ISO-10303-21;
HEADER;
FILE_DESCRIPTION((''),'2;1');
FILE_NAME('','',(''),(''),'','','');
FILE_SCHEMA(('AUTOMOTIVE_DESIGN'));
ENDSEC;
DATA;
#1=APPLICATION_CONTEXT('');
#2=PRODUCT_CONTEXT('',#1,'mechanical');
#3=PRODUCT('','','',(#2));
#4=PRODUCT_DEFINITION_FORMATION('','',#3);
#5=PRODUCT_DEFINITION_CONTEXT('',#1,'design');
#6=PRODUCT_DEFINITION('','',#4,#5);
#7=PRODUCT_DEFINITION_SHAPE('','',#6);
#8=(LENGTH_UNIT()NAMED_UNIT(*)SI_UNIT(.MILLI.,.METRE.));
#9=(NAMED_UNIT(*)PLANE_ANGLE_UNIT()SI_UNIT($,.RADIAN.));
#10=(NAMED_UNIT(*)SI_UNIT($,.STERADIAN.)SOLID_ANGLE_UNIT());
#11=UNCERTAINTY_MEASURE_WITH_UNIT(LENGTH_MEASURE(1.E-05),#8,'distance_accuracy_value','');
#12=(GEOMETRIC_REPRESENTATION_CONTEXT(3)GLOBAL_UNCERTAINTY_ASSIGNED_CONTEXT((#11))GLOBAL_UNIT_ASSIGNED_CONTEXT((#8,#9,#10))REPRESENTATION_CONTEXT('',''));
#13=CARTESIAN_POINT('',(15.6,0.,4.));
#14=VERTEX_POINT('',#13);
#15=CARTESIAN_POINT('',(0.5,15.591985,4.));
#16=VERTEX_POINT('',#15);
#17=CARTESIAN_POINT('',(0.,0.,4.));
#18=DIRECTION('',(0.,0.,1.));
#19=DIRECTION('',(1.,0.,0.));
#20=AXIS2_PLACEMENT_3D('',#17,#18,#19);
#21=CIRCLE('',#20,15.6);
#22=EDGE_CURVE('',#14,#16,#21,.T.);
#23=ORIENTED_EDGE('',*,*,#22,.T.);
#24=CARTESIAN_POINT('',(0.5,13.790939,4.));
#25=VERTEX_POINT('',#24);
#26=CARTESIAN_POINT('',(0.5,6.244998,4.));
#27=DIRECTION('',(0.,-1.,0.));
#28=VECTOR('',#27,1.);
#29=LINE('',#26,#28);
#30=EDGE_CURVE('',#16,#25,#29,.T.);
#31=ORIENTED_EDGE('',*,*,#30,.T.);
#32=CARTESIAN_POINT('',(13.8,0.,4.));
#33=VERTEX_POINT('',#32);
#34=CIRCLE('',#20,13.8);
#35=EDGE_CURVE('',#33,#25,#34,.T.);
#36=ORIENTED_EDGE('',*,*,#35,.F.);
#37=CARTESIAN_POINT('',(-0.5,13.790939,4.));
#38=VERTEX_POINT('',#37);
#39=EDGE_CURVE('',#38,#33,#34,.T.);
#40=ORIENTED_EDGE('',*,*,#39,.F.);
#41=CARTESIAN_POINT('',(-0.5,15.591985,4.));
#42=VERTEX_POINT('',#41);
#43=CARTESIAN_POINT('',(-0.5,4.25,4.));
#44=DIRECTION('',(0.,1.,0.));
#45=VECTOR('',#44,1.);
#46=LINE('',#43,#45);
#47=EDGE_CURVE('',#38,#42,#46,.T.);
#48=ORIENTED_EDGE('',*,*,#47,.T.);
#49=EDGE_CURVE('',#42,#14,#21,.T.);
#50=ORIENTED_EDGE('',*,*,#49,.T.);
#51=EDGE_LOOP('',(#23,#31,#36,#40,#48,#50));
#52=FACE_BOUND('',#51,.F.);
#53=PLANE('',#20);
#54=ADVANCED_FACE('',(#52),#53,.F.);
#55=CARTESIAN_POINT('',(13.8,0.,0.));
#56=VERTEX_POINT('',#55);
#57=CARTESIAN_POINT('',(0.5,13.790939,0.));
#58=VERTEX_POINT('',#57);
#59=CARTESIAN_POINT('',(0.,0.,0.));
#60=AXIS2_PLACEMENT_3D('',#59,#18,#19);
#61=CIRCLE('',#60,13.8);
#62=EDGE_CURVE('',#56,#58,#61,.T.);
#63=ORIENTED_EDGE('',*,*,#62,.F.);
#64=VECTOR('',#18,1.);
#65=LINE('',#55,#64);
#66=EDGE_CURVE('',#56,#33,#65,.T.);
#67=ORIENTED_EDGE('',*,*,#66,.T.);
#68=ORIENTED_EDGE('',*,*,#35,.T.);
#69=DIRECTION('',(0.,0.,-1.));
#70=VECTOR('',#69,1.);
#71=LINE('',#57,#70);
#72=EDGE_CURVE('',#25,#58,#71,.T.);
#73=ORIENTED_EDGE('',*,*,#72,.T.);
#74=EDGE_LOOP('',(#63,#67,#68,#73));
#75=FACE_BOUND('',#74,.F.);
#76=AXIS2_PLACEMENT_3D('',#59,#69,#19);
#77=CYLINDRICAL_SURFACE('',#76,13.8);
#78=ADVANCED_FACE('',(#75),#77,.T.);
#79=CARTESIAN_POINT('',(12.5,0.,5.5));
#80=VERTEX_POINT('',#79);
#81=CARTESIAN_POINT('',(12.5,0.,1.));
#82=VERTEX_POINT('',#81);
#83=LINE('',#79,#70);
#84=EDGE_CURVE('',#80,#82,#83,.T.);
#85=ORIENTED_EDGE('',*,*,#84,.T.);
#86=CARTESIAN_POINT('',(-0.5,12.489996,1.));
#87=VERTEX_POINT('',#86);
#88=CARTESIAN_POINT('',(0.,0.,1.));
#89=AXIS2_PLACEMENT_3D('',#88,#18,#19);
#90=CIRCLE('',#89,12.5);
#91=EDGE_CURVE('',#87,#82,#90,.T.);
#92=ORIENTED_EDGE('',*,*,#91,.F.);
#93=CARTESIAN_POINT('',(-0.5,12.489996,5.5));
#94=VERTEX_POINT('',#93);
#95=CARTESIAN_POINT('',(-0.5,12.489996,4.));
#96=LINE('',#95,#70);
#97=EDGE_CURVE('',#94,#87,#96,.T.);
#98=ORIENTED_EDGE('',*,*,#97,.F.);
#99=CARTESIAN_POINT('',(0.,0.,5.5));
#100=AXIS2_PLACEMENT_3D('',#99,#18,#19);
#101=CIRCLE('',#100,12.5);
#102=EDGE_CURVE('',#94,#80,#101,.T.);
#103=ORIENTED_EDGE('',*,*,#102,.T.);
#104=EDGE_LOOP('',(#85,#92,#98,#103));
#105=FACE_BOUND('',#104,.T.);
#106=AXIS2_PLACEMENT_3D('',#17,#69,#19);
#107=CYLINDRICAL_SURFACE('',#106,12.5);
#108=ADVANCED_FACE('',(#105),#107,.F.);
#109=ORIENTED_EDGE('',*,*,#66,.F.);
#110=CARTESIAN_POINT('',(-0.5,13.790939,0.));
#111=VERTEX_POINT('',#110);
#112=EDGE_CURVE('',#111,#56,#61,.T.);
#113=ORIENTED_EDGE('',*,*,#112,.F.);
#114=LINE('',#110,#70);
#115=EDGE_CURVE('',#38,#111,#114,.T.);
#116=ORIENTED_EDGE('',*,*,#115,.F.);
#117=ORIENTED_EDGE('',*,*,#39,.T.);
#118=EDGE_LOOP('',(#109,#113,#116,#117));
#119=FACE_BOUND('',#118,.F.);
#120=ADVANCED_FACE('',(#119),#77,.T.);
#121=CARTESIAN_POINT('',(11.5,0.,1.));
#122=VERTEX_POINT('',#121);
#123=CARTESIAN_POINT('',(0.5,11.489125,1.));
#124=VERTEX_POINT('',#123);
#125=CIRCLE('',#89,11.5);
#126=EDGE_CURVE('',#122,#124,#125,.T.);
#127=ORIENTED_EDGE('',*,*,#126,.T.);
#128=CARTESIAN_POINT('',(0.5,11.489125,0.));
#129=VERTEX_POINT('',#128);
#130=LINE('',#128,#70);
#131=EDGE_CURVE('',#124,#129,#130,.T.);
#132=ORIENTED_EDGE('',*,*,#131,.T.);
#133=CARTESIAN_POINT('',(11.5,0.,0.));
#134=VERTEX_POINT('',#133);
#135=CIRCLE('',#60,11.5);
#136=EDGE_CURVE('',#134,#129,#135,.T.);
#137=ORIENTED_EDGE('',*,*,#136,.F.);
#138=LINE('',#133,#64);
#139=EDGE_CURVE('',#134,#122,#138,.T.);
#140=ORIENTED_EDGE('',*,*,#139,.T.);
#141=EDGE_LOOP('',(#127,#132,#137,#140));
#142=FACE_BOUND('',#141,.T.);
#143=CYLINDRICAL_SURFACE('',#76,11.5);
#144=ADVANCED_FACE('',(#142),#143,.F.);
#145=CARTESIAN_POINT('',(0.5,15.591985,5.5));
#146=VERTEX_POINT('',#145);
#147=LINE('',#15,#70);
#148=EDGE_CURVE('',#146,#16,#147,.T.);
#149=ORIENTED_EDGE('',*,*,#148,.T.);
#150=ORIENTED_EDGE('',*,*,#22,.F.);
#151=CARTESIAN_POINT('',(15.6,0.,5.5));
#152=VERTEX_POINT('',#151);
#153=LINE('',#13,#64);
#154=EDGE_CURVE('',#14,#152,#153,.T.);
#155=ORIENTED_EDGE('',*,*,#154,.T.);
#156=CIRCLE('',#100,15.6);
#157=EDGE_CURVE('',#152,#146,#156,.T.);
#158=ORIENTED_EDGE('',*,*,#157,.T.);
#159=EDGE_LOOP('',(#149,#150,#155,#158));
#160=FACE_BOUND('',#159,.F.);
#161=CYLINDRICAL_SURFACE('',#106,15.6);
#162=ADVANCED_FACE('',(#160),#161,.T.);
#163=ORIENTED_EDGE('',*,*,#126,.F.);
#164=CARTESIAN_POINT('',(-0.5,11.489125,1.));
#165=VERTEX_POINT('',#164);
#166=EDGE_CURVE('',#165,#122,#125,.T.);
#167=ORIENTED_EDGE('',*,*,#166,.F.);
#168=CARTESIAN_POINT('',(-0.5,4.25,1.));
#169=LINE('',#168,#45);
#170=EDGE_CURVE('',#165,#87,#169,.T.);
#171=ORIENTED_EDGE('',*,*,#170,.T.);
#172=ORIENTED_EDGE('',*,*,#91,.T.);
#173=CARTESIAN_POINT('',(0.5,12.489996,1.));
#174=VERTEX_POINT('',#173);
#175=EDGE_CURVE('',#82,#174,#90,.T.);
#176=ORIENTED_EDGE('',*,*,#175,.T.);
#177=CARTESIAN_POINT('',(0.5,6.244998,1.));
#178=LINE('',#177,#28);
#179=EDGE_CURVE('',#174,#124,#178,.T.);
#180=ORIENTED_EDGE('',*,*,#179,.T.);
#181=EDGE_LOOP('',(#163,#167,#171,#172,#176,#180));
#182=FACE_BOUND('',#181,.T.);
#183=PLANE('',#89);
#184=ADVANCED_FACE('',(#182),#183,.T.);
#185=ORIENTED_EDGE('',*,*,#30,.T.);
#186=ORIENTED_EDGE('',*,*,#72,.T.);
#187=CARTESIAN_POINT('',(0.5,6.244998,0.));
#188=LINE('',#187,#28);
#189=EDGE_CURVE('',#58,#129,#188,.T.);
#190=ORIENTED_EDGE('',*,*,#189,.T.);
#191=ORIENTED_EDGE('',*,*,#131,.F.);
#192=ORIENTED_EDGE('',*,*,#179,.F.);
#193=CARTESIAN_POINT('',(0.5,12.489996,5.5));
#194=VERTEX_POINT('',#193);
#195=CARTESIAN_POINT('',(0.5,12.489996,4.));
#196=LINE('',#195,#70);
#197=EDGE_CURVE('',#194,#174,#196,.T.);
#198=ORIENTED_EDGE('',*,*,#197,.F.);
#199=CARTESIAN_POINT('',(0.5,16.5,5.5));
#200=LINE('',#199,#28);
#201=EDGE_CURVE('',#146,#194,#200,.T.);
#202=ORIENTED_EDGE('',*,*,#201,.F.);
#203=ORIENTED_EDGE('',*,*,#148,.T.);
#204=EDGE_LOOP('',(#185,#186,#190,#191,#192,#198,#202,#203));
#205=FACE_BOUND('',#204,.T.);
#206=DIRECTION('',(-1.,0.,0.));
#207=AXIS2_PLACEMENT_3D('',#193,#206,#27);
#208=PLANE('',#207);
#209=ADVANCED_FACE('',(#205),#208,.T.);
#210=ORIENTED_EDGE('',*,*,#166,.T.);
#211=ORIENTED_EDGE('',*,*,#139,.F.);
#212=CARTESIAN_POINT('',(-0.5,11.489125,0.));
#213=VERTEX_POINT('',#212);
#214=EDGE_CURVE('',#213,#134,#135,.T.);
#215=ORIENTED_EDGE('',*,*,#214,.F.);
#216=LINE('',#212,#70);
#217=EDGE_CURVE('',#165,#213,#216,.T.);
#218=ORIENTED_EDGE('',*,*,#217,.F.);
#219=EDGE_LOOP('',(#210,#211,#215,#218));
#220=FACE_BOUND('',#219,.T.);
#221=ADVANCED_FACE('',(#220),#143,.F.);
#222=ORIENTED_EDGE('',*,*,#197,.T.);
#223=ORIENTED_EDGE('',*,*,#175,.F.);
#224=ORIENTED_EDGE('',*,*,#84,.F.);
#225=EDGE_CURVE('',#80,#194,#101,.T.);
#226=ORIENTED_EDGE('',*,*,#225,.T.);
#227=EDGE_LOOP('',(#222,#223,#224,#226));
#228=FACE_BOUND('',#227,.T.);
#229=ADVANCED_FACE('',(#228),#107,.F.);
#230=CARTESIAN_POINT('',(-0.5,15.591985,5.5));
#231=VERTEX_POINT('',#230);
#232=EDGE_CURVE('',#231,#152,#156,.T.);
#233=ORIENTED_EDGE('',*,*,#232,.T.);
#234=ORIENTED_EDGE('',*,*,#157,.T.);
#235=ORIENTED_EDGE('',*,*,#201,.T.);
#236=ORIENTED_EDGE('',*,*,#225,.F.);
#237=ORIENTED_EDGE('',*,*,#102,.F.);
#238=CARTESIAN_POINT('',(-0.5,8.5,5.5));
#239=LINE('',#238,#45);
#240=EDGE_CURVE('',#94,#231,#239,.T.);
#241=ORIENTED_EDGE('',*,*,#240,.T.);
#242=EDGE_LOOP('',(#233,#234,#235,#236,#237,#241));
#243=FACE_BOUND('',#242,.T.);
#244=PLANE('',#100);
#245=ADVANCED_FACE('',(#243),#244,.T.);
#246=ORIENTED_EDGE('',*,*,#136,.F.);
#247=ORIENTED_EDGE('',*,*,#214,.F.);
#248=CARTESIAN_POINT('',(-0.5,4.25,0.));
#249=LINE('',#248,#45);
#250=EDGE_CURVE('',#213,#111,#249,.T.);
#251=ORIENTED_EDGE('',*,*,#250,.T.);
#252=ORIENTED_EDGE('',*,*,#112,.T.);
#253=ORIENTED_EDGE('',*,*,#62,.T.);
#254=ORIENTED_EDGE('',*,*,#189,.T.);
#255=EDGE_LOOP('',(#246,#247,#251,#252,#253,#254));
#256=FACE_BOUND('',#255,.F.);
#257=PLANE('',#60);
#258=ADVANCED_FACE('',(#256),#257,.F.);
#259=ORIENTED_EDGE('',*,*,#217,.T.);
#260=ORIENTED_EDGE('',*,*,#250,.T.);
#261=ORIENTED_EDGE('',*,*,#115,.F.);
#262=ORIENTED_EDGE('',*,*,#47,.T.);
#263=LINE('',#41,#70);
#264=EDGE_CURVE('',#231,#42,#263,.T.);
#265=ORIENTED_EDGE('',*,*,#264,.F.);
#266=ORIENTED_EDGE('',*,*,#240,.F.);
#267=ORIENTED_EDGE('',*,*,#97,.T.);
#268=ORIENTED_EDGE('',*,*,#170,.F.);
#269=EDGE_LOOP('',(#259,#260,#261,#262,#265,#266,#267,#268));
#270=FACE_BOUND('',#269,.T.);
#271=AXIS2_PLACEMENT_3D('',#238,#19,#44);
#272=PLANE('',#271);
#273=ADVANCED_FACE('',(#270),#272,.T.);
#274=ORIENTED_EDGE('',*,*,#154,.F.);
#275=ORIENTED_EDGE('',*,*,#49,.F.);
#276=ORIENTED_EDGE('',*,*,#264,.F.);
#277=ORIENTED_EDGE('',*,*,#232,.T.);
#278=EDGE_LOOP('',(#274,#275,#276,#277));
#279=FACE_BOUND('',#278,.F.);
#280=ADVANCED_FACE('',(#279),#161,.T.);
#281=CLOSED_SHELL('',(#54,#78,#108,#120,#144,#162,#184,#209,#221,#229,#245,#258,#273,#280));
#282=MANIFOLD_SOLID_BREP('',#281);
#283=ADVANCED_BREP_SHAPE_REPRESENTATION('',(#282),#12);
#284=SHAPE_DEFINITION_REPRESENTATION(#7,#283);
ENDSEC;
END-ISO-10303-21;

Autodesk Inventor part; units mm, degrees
ref_plane "YZ Plane" through (0, 0, 0) normal (1, 0, 0) x (0, 1, 0)
ref_plane "XZ Plane" through (0, 0, 0) normal (0, 1, 0) x (-1, 0, 0)
ref_plane "XY Plane" through (0, 0, 0) normal (0, 0, 1) x (1, 0, 0)
sketch "Sketch1" plane through (0, 0, 0) normal (0, 0, 1) x (1, 0, 0)
  circle A0 centre (0, 0) radius 13.8
  circle A1 centre (0, 0) radius 11.5
  circle A2 centre (0, 0) radius 15.6
  circle A3 centre (0, 0) radius 12.5
  dimension "d0" = 27.6
  dimension "d1" = 23
  dimension "d2" = 31.2
  dimension "d3" = 25
extrude "Extrusion1" add sketch "Sketch1" along normal blind 1 contours A3
extrude "Extrusion2" add sketch "Sketch1" along normal blind 4 contours A0
sketch "Sketch2" plane through (0, 0, 4) normal (0, 0, 1) x (1, 0, 0)
  circle A0 centre (0, 0) radius 15.6 projected
  circle A1 centre (0, 0) radius 12.5 projected
extrude "Extrusion3" add sketch "Sketch2" along normal blind 1.5
sketch "Sketch3" plane through (0, 0, 5.5) normal (0, 0, 1) x (1, 0, 0)
  line L0 (0.5, 8.5) -> (-0.5, 8.5)
  line L1 (-0.5, 8.5) -> (-0.5, 16.5)
  line L2 (-0.5, 16.5) -> (0.5, 16.5)
  line L3 (0.5, 16.5) -> (0.5, 8.5)
  circle A0 centre (0, 0) radius 12.5 projected
  line L4 (0.5, 8.5) -> (-0.5, 16.5) construction
  line L5 (-0.5, 8.5) -> (0.5, 16.5) construction
  point P0 (0, 12.5)
  dimension "d10" = 1
  dimension "d11" = 8
extrude "Extrusion4" cut sketch "Sketch3" against normal blind 10 contours L0 L1 A0 L3 | A0 L1 L2 L3 picked at (0.0556, 9.833)
properties part number "25mmFilterAdapter"
